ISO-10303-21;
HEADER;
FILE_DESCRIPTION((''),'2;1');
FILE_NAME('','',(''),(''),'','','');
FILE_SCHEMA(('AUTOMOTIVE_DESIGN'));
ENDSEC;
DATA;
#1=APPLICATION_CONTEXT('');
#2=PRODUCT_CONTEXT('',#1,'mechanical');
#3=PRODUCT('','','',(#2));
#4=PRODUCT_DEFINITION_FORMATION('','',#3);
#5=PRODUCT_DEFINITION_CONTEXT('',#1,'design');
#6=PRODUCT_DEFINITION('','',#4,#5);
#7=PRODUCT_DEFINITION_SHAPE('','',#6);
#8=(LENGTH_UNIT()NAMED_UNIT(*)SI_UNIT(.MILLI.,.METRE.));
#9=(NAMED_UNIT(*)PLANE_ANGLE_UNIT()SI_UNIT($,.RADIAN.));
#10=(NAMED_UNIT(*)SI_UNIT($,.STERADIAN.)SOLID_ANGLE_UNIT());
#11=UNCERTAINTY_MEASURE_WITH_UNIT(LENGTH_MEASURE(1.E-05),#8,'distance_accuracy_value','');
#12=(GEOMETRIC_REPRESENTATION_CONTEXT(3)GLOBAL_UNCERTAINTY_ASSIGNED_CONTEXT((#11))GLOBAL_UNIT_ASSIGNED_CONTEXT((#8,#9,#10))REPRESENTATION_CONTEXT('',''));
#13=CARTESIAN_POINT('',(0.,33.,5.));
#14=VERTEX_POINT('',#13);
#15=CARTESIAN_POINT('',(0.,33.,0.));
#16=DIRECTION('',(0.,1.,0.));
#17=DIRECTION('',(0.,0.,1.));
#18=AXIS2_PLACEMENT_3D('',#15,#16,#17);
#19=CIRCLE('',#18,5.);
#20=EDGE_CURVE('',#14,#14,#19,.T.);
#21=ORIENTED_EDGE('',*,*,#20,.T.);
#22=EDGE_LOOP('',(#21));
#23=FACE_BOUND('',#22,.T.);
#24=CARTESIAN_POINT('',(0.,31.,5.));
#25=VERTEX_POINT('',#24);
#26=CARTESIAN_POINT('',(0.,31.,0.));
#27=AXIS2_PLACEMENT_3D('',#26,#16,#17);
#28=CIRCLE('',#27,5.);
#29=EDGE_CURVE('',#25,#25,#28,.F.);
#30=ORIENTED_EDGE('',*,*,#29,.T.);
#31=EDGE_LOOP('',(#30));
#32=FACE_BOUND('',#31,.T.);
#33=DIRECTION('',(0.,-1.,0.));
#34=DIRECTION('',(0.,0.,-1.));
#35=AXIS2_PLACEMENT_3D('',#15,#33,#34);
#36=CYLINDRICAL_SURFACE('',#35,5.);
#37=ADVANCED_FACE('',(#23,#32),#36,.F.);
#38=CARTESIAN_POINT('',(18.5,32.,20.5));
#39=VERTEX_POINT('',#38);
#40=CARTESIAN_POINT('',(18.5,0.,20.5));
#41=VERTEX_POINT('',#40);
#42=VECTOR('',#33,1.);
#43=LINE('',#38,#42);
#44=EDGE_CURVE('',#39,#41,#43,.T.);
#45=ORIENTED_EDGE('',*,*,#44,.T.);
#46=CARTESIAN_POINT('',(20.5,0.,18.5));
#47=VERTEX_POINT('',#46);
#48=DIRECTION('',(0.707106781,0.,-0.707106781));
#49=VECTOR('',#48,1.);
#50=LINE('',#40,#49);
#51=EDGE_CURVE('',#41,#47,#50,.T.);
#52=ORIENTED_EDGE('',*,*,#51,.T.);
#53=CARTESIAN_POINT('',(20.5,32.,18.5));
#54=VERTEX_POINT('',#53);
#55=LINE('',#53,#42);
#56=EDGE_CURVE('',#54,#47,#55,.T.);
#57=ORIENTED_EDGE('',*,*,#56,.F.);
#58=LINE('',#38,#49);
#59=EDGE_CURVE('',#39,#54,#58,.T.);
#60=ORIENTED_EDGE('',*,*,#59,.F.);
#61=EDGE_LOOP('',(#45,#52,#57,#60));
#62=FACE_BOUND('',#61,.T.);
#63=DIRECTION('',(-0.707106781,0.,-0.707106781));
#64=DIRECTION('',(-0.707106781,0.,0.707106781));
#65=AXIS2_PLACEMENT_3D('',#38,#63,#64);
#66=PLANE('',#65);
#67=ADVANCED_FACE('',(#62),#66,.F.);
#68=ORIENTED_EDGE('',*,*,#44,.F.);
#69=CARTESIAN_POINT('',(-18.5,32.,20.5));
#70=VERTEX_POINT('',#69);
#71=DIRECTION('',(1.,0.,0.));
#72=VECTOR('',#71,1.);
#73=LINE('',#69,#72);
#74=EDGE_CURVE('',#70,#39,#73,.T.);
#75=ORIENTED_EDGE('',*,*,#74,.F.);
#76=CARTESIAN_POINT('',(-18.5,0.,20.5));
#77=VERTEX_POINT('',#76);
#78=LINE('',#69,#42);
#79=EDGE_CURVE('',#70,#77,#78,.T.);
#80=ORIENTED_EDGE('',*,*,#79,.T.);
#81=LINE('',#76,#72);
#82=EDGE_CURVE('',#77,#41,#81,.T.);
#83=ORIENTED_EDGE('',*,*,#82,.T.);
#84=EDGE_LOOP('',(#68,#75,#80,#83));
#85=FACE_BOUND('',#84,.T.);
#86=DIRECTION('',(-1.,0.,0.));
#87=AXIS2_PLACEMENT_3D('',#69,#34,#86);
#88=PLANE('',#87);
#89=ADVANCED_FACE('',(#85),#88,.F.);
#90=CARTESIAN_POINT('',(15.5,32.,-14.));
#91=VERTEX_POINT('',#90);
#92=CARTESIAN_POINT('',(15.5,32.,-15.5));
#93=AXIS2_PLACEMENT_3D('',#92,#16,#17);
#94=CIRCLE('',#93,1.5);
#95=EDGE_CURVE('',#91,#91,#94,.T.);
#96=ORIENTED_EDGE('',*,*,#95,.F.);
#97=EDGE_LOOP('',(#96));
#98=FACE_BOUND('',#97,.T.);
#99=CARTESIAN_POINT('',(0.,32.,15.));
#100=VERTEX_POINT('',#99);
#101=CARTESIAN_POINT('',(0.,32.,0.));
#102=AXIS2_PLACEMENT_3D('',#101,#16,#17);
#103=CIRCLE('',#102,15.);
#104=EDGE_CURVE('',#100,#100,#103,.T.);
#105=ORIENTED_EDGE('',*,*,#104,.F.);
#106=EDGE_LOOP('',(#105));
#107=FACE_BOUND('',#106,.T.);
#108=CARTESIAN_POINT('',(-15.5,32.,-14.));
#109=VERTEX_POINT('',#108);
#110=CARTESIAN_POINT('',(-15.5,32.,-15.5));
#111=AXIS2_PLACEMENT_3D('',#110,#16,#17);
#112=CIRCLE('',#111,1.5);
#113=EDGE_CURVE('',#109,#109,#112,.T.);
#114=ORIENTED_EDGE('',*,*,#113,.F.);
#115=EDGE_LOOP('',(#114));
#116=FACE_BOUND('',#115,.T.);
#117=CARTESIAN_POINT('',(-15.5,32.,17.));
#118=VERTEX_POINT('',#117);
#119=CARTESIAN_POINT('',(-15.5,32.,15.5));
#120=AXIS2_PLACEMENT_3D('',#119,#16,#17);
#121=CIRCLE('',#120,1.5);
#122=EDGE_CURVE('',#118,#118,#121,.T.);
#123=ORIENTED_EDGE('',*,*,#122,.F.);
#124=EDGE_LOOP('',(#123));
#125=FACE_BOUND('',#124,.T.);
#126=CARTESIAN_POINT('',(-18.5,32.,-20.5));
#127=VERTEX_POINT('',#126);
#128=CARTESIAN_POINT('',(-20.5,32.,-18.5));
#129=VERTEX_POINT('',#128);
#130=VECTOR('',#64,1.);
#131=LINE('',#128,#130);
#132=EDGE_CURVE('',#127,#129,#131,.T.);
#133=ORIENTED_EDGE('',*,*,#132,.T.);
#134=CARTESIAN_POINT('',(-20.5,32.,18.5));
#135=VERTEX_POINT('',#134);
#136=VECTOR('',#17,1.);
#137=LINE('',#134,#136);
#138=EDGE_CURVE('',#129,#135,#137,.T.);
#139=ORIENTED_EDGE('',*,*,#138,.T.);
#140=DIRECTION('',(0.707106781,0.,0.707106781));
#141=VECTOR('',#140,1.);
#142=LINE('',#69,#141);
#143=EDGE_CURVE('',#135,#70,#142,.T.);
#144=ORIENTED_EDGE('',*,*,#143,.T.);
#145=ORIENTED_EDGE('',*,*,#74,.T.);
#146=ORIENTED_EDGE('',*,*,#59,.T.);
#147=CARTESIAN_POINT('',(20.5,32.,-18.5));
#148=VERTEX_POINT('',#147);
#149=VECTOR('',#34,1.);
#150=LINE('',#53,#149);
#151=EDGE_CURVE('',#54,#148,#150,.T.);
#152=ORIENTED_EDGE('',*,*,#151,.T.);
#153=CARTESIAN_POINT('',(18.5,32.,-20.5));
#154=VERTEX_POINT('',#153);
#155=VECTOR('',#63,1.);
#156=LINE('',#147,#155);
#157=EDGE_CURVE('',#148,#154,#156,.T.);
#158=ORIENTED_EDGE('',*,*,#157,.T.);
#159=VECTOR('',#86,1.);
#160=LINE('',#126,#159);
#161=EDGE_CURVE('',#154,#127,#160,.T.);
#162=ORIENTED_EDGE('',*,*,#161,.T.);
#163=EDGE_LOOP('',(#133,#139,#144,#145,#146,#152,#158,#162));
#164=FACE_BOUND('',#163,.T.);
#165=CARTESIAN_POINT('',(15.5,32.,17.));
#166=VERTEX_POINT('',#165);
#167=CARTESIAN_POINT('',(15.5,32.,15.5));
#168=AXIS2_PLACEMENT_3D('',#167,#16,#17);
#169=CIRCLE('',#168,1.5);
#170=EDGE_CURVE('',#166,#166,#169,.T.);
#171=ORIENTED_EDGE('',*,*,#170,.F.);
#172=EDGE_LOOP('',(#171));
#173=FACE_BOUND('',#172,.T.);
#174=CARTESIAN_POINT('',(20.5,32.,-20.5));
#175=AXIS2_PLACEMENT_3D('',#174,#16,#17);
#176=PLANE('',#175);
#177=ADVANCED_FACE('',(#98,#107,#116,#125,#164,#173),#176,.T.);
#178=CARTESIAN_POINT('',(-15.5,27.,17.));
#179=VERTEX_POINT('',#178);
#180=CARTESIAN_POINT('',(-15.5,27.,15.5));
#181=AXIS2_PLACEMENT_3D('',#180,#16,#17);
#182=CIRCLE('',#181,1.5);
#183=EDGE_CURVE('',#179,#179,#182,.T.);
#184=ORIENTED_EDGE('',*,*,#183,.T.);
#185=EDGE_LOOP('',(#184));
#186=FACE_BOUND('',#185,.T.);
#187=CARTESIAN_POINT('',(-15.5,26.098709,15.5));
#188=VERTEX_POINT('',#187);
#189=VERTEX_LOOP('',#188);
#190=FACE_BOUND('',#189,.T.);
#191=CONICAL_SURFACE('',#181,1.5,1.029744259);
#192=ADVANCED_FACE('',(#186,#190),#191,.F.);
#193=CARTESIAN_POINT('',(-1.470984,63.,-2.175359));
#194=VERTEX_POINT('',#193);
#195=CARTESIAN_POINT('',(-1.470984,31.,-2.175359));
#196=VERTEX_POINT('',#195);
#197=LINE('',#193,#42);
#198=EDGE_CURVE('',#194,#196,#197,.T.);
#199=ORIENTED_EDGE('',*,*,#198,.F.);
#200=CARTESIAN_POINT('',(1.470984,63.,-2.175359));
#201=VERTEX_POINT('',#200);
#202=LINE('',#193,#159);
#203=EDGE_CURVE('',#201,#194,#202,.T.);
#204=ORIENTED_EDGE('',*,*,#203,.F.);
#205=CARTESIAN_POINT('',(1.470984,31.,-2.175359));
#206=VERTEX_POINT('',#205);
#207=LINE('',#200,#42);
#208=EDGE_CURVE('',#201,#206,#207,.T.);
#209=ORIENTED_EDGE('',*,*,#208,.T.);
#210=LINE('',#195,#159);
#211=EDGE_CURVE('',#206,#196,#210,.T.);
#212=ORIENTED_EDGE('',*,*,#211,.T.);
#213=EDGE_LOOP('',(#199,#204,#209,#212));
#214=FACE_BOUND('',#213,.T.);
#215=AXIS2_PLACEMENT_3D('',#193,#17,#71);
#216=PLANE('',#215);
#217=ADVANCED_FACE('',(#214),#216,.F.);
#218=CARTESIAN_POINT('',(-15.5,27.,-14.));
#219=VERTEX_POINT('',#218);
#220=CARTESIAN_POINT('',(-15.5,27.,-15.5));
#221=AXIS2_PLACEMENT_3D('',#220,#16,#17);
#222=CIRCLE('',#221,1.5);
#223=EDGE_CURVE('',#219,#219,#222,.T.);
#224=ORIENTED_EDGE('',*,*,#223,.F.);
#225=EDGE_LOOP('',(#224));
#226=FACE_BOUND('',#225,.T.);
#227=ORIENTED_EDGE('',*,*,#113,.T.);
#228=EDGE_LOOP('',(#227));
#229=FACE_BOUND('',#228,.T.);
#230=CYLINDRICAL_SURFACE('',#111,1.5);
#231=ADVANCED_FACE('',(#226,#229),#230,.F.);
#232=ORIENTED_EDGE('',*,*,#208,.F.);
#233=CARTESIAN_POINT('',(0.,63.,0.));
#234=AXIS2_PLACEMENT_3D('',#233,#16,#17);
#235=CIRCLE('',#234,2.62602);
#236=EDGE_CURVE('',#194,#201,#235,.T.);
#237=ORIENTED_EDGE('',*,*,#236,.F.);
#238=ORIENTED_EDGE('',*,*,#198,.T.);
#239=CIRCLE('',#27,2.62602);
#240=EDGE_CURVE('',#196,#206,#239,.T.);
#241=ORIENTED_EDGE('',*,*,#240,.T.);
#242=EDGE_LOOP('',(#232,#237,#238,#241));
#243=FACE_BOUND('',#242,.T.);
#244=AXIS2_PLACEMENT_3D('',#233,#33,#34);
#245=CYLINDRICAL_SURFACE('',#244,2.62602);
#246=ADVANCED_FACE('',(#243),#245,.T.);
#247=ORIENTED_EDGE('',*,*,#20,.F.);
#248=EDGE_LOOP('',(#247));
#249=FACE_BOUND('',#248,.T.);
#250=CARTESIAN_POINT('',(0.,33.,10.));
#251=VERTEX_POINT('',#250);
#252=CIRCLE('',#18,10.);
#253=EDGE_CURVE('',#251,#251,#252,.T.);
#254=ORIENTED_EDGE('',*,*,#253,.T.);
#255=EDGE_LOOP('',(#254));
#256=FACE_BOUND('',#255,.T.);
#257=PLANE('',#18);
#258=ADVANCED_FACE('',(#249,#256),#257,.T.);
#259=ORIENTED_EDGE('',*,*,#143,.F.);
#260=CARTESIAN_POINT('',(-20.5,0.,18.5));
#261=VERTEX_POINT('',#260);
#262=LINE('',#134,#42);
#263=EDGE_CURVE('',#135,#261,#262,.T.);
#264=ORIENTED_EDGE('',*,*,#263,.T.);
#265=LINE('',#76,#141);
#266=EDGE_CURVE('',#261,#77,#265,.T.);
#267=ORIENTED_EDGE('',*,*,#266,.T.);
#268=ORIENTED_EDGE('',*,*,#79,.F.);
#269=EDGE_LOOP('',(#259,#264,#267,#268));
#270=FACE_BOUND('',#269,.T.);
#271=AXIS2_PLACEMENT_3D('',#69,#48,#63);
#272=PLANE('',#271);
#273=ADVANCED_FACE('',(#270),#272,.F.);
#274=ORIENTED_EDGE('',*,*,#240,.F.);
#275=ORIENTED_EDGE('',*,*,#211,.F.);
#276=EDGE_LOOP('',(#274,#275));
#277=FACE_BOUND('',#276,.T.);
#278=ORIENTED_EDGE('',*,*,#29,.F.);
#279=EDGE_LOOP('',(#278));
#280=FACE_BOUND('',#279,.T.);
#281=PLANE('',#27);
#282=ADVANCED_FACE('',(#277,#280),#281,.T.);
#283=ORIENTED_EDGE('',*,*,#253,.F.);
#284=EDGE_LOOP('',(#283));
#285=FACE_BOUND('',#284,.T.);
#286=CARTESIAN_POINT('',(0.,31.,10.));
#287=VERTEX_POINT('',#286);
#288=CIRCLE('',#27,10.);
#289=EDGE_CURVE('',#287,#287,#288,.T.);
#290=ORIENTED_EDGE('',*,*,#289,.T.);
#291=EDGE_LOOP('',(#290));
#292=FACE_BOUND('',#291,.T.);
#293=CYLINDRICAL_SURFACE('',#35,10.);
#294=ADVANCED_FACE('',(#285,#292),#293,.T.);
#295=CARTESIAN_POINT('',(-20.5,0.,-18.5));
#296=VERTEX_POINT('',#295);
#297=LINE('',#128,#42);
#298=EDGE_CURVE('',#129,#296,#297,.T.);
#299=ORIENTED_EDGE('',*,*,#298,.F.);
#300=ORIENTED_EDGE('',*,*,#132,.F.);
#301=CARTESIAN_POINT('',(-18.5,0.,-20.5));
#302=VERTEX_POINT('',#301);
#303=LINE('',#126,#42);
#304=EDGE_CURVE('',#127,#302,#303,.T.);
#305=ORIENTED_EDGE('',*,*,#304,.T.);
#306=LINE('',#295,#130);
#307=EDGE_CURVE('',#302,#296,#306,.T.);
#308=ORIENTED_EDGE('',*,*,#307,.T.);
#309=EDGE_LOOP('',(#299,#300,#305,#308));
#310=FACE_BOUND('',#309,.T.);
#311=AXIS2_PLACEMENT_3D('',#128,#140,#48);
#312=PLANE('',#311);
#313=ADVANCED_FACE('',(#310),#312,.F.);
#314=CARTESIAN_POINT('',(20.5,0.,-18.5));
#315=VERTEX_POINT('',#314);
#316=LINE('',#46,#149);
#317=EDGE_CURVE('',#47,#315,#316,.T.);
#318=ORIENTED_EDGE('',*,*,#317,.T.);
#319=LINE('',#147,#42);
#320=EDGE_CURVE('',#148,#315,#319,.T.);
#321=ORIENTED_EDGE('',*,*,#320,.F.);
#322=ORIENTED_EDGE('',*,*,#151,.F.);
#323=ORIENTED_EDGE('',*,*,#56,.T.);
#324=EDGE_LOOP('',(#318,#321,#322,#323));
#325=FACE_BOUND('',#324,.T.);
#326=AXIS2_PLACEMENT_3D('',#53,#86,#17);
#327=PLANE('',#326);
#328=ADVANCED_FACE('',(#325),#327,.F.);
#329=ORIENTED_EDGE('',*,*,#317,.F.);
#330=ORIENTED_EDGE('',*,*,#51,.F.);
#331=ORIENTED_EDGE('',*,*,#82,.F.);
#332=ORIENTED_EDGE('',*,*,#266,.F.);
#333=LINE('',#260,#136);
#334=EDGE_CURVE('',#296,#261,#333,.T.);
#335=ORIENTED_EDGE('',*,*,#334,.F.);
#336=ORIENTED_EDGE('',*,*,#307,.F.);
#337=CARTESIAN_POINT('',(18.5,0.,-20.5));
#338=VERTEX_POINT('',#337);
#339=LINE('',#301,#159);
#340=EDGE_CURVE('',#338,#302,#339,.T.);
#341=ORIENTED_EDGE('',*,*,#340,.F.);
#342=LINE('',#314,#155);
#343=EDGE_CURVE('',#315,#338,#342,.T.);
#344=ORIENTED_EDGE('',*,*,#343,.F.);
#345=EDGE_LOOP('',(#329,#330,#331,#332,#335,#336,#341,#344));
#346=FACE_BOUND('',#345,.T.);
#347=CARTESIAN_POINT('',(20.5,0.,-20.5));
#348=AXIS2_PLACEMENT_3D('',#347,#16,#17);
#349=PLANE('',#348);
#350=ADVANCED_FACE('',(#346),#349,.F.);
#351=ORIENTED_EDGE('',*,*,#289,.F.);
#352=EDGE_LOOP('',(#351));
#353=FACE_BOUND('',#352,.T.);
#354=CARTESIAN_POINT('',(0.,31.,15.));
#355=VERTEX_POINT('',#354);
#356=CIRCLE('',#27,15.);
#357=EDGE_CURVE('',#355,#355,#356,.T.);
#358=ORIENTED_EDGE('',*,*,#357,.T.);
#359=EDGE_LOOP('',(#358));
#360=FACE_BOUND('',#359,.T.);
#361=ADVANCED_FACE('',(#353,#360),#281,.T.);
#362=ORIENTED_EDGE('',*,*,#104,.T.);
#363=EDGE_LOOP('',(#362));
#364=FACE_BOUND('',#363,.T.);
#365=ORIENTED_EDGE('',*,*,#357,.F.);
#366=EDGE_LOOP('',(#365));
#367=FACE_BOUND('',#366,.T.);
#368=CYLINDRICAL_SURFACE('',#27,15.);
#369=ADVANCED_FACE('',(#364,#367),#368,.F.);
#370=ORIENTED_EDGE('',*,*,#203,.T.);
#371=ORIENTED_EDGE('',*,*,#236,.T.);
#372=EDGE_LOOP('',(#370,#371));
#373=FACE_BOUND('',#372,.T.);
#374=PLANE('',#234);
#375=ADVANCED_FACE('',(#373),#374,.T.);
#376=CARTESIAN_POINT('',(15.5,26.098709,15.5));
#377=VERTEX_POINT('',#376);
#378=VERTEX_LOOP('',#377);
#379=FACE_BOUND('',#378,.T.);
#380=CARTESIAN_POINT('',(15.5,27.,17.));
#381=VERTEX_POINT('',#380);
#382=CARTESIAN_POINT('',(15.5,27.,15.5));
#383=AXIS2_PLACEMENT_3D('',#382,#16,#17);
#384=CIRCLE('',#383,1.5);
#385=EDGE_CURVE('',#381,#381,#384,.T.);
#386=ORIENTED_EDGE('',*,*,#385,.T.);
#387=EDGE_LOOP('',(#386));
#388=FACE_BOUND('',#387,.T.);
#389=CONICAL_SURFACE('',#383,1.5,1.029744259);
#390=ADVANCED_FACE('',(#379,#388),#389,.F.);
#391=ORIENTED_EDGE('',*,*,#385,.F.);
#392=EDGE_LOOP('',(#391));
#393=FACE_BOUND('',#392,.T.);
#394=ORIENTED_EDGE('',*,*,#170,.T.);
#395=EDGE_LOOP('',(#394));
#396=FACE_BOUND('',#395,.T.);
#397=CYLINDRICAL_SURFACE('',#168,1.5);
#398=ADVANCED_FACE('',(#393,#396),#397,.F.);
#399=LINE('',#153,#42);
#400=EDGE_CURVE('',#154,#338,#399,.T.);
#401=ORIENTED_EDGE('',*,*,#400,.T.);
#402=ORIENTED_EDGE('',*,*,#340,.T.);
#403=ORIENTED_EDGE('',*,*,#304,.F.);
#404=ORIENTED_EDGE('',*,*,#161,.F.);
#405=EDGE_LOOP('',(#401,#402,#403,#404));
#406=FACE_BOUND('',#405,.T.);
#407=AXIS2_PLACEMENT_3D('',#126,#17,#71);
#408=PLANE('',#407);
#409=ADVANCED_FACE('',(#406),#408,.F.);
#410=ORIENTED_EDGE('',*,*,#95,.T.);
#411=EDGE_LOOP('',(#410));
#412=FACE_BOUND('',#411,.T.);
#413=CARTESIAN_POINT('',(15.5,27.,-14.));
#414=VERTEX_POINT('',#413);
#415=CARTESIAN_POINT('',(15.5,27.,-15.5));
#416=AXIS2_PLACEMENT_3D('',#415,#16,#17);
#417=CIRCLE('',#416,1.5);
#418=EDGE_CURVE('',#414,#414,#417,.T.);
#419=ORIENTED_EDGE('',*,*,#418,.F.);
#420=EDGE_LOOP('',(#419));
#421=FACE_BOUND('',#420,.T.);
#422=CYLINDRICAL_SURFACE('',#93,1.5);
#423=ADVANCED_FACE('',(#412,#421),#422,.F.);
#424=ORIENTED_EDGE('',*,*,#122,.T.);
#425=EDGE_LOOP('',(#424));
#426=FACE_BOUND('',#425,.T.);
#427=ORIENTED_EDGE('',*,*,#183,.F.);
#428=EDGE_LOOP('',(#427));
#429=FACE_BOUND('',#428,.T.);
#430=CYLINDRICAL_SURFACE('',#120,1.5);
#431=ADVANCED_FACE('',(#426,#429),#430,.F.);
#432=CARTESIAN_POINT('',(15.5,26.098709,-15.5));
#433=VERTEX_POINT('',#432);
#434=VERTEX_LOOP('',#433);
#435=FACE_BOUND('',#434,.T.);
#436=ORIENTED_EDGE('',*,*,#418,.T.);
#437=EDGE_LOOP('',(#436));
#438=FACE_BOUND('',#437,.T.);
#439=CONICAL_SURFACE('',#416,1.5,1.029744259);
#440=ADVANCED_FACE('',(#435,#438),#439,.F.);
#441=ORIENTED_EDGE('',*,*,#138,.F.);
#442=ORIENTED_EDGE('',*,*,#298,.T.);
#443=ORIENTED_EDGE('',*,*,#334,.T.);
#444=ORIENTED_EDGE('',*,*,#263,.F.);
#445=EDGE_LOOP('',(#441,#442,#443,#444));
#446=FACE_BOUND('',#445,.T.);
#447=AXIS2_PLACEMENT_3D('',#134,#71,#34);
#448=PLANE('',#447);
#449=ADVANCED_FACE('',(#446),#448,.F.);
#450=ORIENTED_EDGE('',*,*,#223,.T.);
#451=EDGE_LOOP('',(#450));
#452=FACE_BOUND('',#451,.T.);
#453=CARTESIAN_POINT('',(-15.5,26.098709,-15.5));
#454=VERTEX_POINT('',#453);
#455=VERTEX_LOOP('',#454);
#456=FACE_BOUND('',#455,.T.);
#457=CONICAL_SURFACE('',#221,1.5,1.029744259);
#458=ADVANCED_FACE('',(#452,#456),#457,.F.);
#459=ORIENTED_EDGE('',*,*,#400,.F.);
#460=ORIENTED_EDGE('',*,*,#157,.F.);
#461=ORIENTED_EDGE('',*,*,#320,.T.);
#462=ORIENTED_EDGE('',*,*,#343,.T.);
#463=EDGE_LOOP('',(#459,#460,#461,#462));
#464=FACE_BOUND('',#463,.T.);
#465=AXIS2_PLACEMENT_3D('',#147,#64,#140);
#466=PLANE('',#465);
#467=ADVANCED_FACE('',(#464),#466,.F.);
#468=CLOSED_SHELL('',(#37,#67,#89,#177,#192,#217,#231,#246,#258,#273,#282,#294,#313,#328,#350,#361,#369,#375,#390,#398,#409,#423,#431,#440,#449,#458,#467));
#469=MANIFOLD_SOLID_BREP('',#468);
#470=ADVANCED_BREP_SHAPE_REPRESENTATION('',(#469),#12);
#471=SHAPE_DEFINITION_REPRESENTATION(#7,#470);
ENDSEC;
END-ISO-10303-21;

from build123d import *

# Parameters (mm, degrees)
BOSS_EXTRUDE1_DEPTH          = 32
SKETCH2_R                    = 15
CUT_EXTRUDE1_DEPTH           = 1
SKETCH3_R                    = 10
SKETCH3_R_2                  = 5
BOSS_EXTRUDE2_DEPTH          = 2
BOSS_EXTRUDE3_DEPTH          = 32
F_3_0_3_DIAMETER_HOLE1_D     = 3
F_3_0_3_DIAMETER_HOLE1_DEPTH = 5
F_3_0_3_DIAMETER_HOLE1_TIP   = 0.901290929


with BuildPart() as part:
    # Sketch1 → Boss-Extrude1 (new body)
    with BuildSketch(Plane(origin=(0, 0, 0), x_dir=(1, 0, 0), z_dir=(0, 1, 0))):
        Polygon((-20.5, 18.5), (-18.5, 20.5), (18.5, 20.5), (20.5, 18.5), (20.5, -18.5), (18.5, -20.5), (-18.5, -20.5), (-20.5, -18.5), align=None)
    extrude(amount=BOSS_EXTRUDE1_DEPTH)

    # Sketch2 → Cut-Extrude1 (cut)
    with BuildSketch(Plane(origin=(0, 32, 0), x_dir=(-1, 0, 0), z_dir=(0, 1, 0))):
        Circle(SKETCH2_R)
    extrude(amount=-CUT_EXTRUDE1_DEPTH, mode=Mode.SUBTRACT)

    # Sketch3 → Boss-Extrude2 (add)
    with BuildSketch(Plane(origin=(0, 31, 0), x_dir=(1, 0, 0), z_dir=(0, 1, 0))):
        Circle(SKETCH3_R)
        Circle(SKETCH3_R_2, mode=Mode.SUBTRACT)
    extrude(amount=BOSS_EXTRUDE2_DEPTH)

    # Sketch4 → Boss-Extrude3 (add)
    with BuildSketch(Plane(origin=(0, 31, 0), x_dir=(1, 0, 0), z_dir=(0, 1, 0))):
        with BuildLine():
            Line((-1.470984161, 2.175359116), (1.470984161, 2.175359116))
            ThreePointArc((1.470984161, 2.175359116), (0, -2.626020123), (-1.470984161, 2.175359116))
        make_face()
    extrude(amount=BOSS_EXTRUDE3_DEPTH)

    # Ø3.0 (3) Diameter Hole1
    with Locations(Plane(origin=(0, 32, 0), x_dir=(-1, 0, 0), z_dir=(0, 1, 0))):
        with Locations((-15.5, -15.5), (15.5, -15.5), (15.5, 15.5), (-15.5, 15.5)):
            Hole(F_3_0_3_DIAMETER_HOLE1_D / 2, depth=F_3_0_3_DIAMETER_HOLE1_DEPTH)
            with Locations((0, 0, -(F_3_0_3_DIAMETER_HOLE1_DEPTH + F_3_0_3_DIAMETER_HOLE1_TIP / 2))):  # 118° drill point
                Cone(0, F_3_0_3_DIAMETER_HOLE1_D / 2, F_3_0_3_DIAMETER_HOLE1_TIP, mode=Mode.SUBTRACT)


solid = part.part
